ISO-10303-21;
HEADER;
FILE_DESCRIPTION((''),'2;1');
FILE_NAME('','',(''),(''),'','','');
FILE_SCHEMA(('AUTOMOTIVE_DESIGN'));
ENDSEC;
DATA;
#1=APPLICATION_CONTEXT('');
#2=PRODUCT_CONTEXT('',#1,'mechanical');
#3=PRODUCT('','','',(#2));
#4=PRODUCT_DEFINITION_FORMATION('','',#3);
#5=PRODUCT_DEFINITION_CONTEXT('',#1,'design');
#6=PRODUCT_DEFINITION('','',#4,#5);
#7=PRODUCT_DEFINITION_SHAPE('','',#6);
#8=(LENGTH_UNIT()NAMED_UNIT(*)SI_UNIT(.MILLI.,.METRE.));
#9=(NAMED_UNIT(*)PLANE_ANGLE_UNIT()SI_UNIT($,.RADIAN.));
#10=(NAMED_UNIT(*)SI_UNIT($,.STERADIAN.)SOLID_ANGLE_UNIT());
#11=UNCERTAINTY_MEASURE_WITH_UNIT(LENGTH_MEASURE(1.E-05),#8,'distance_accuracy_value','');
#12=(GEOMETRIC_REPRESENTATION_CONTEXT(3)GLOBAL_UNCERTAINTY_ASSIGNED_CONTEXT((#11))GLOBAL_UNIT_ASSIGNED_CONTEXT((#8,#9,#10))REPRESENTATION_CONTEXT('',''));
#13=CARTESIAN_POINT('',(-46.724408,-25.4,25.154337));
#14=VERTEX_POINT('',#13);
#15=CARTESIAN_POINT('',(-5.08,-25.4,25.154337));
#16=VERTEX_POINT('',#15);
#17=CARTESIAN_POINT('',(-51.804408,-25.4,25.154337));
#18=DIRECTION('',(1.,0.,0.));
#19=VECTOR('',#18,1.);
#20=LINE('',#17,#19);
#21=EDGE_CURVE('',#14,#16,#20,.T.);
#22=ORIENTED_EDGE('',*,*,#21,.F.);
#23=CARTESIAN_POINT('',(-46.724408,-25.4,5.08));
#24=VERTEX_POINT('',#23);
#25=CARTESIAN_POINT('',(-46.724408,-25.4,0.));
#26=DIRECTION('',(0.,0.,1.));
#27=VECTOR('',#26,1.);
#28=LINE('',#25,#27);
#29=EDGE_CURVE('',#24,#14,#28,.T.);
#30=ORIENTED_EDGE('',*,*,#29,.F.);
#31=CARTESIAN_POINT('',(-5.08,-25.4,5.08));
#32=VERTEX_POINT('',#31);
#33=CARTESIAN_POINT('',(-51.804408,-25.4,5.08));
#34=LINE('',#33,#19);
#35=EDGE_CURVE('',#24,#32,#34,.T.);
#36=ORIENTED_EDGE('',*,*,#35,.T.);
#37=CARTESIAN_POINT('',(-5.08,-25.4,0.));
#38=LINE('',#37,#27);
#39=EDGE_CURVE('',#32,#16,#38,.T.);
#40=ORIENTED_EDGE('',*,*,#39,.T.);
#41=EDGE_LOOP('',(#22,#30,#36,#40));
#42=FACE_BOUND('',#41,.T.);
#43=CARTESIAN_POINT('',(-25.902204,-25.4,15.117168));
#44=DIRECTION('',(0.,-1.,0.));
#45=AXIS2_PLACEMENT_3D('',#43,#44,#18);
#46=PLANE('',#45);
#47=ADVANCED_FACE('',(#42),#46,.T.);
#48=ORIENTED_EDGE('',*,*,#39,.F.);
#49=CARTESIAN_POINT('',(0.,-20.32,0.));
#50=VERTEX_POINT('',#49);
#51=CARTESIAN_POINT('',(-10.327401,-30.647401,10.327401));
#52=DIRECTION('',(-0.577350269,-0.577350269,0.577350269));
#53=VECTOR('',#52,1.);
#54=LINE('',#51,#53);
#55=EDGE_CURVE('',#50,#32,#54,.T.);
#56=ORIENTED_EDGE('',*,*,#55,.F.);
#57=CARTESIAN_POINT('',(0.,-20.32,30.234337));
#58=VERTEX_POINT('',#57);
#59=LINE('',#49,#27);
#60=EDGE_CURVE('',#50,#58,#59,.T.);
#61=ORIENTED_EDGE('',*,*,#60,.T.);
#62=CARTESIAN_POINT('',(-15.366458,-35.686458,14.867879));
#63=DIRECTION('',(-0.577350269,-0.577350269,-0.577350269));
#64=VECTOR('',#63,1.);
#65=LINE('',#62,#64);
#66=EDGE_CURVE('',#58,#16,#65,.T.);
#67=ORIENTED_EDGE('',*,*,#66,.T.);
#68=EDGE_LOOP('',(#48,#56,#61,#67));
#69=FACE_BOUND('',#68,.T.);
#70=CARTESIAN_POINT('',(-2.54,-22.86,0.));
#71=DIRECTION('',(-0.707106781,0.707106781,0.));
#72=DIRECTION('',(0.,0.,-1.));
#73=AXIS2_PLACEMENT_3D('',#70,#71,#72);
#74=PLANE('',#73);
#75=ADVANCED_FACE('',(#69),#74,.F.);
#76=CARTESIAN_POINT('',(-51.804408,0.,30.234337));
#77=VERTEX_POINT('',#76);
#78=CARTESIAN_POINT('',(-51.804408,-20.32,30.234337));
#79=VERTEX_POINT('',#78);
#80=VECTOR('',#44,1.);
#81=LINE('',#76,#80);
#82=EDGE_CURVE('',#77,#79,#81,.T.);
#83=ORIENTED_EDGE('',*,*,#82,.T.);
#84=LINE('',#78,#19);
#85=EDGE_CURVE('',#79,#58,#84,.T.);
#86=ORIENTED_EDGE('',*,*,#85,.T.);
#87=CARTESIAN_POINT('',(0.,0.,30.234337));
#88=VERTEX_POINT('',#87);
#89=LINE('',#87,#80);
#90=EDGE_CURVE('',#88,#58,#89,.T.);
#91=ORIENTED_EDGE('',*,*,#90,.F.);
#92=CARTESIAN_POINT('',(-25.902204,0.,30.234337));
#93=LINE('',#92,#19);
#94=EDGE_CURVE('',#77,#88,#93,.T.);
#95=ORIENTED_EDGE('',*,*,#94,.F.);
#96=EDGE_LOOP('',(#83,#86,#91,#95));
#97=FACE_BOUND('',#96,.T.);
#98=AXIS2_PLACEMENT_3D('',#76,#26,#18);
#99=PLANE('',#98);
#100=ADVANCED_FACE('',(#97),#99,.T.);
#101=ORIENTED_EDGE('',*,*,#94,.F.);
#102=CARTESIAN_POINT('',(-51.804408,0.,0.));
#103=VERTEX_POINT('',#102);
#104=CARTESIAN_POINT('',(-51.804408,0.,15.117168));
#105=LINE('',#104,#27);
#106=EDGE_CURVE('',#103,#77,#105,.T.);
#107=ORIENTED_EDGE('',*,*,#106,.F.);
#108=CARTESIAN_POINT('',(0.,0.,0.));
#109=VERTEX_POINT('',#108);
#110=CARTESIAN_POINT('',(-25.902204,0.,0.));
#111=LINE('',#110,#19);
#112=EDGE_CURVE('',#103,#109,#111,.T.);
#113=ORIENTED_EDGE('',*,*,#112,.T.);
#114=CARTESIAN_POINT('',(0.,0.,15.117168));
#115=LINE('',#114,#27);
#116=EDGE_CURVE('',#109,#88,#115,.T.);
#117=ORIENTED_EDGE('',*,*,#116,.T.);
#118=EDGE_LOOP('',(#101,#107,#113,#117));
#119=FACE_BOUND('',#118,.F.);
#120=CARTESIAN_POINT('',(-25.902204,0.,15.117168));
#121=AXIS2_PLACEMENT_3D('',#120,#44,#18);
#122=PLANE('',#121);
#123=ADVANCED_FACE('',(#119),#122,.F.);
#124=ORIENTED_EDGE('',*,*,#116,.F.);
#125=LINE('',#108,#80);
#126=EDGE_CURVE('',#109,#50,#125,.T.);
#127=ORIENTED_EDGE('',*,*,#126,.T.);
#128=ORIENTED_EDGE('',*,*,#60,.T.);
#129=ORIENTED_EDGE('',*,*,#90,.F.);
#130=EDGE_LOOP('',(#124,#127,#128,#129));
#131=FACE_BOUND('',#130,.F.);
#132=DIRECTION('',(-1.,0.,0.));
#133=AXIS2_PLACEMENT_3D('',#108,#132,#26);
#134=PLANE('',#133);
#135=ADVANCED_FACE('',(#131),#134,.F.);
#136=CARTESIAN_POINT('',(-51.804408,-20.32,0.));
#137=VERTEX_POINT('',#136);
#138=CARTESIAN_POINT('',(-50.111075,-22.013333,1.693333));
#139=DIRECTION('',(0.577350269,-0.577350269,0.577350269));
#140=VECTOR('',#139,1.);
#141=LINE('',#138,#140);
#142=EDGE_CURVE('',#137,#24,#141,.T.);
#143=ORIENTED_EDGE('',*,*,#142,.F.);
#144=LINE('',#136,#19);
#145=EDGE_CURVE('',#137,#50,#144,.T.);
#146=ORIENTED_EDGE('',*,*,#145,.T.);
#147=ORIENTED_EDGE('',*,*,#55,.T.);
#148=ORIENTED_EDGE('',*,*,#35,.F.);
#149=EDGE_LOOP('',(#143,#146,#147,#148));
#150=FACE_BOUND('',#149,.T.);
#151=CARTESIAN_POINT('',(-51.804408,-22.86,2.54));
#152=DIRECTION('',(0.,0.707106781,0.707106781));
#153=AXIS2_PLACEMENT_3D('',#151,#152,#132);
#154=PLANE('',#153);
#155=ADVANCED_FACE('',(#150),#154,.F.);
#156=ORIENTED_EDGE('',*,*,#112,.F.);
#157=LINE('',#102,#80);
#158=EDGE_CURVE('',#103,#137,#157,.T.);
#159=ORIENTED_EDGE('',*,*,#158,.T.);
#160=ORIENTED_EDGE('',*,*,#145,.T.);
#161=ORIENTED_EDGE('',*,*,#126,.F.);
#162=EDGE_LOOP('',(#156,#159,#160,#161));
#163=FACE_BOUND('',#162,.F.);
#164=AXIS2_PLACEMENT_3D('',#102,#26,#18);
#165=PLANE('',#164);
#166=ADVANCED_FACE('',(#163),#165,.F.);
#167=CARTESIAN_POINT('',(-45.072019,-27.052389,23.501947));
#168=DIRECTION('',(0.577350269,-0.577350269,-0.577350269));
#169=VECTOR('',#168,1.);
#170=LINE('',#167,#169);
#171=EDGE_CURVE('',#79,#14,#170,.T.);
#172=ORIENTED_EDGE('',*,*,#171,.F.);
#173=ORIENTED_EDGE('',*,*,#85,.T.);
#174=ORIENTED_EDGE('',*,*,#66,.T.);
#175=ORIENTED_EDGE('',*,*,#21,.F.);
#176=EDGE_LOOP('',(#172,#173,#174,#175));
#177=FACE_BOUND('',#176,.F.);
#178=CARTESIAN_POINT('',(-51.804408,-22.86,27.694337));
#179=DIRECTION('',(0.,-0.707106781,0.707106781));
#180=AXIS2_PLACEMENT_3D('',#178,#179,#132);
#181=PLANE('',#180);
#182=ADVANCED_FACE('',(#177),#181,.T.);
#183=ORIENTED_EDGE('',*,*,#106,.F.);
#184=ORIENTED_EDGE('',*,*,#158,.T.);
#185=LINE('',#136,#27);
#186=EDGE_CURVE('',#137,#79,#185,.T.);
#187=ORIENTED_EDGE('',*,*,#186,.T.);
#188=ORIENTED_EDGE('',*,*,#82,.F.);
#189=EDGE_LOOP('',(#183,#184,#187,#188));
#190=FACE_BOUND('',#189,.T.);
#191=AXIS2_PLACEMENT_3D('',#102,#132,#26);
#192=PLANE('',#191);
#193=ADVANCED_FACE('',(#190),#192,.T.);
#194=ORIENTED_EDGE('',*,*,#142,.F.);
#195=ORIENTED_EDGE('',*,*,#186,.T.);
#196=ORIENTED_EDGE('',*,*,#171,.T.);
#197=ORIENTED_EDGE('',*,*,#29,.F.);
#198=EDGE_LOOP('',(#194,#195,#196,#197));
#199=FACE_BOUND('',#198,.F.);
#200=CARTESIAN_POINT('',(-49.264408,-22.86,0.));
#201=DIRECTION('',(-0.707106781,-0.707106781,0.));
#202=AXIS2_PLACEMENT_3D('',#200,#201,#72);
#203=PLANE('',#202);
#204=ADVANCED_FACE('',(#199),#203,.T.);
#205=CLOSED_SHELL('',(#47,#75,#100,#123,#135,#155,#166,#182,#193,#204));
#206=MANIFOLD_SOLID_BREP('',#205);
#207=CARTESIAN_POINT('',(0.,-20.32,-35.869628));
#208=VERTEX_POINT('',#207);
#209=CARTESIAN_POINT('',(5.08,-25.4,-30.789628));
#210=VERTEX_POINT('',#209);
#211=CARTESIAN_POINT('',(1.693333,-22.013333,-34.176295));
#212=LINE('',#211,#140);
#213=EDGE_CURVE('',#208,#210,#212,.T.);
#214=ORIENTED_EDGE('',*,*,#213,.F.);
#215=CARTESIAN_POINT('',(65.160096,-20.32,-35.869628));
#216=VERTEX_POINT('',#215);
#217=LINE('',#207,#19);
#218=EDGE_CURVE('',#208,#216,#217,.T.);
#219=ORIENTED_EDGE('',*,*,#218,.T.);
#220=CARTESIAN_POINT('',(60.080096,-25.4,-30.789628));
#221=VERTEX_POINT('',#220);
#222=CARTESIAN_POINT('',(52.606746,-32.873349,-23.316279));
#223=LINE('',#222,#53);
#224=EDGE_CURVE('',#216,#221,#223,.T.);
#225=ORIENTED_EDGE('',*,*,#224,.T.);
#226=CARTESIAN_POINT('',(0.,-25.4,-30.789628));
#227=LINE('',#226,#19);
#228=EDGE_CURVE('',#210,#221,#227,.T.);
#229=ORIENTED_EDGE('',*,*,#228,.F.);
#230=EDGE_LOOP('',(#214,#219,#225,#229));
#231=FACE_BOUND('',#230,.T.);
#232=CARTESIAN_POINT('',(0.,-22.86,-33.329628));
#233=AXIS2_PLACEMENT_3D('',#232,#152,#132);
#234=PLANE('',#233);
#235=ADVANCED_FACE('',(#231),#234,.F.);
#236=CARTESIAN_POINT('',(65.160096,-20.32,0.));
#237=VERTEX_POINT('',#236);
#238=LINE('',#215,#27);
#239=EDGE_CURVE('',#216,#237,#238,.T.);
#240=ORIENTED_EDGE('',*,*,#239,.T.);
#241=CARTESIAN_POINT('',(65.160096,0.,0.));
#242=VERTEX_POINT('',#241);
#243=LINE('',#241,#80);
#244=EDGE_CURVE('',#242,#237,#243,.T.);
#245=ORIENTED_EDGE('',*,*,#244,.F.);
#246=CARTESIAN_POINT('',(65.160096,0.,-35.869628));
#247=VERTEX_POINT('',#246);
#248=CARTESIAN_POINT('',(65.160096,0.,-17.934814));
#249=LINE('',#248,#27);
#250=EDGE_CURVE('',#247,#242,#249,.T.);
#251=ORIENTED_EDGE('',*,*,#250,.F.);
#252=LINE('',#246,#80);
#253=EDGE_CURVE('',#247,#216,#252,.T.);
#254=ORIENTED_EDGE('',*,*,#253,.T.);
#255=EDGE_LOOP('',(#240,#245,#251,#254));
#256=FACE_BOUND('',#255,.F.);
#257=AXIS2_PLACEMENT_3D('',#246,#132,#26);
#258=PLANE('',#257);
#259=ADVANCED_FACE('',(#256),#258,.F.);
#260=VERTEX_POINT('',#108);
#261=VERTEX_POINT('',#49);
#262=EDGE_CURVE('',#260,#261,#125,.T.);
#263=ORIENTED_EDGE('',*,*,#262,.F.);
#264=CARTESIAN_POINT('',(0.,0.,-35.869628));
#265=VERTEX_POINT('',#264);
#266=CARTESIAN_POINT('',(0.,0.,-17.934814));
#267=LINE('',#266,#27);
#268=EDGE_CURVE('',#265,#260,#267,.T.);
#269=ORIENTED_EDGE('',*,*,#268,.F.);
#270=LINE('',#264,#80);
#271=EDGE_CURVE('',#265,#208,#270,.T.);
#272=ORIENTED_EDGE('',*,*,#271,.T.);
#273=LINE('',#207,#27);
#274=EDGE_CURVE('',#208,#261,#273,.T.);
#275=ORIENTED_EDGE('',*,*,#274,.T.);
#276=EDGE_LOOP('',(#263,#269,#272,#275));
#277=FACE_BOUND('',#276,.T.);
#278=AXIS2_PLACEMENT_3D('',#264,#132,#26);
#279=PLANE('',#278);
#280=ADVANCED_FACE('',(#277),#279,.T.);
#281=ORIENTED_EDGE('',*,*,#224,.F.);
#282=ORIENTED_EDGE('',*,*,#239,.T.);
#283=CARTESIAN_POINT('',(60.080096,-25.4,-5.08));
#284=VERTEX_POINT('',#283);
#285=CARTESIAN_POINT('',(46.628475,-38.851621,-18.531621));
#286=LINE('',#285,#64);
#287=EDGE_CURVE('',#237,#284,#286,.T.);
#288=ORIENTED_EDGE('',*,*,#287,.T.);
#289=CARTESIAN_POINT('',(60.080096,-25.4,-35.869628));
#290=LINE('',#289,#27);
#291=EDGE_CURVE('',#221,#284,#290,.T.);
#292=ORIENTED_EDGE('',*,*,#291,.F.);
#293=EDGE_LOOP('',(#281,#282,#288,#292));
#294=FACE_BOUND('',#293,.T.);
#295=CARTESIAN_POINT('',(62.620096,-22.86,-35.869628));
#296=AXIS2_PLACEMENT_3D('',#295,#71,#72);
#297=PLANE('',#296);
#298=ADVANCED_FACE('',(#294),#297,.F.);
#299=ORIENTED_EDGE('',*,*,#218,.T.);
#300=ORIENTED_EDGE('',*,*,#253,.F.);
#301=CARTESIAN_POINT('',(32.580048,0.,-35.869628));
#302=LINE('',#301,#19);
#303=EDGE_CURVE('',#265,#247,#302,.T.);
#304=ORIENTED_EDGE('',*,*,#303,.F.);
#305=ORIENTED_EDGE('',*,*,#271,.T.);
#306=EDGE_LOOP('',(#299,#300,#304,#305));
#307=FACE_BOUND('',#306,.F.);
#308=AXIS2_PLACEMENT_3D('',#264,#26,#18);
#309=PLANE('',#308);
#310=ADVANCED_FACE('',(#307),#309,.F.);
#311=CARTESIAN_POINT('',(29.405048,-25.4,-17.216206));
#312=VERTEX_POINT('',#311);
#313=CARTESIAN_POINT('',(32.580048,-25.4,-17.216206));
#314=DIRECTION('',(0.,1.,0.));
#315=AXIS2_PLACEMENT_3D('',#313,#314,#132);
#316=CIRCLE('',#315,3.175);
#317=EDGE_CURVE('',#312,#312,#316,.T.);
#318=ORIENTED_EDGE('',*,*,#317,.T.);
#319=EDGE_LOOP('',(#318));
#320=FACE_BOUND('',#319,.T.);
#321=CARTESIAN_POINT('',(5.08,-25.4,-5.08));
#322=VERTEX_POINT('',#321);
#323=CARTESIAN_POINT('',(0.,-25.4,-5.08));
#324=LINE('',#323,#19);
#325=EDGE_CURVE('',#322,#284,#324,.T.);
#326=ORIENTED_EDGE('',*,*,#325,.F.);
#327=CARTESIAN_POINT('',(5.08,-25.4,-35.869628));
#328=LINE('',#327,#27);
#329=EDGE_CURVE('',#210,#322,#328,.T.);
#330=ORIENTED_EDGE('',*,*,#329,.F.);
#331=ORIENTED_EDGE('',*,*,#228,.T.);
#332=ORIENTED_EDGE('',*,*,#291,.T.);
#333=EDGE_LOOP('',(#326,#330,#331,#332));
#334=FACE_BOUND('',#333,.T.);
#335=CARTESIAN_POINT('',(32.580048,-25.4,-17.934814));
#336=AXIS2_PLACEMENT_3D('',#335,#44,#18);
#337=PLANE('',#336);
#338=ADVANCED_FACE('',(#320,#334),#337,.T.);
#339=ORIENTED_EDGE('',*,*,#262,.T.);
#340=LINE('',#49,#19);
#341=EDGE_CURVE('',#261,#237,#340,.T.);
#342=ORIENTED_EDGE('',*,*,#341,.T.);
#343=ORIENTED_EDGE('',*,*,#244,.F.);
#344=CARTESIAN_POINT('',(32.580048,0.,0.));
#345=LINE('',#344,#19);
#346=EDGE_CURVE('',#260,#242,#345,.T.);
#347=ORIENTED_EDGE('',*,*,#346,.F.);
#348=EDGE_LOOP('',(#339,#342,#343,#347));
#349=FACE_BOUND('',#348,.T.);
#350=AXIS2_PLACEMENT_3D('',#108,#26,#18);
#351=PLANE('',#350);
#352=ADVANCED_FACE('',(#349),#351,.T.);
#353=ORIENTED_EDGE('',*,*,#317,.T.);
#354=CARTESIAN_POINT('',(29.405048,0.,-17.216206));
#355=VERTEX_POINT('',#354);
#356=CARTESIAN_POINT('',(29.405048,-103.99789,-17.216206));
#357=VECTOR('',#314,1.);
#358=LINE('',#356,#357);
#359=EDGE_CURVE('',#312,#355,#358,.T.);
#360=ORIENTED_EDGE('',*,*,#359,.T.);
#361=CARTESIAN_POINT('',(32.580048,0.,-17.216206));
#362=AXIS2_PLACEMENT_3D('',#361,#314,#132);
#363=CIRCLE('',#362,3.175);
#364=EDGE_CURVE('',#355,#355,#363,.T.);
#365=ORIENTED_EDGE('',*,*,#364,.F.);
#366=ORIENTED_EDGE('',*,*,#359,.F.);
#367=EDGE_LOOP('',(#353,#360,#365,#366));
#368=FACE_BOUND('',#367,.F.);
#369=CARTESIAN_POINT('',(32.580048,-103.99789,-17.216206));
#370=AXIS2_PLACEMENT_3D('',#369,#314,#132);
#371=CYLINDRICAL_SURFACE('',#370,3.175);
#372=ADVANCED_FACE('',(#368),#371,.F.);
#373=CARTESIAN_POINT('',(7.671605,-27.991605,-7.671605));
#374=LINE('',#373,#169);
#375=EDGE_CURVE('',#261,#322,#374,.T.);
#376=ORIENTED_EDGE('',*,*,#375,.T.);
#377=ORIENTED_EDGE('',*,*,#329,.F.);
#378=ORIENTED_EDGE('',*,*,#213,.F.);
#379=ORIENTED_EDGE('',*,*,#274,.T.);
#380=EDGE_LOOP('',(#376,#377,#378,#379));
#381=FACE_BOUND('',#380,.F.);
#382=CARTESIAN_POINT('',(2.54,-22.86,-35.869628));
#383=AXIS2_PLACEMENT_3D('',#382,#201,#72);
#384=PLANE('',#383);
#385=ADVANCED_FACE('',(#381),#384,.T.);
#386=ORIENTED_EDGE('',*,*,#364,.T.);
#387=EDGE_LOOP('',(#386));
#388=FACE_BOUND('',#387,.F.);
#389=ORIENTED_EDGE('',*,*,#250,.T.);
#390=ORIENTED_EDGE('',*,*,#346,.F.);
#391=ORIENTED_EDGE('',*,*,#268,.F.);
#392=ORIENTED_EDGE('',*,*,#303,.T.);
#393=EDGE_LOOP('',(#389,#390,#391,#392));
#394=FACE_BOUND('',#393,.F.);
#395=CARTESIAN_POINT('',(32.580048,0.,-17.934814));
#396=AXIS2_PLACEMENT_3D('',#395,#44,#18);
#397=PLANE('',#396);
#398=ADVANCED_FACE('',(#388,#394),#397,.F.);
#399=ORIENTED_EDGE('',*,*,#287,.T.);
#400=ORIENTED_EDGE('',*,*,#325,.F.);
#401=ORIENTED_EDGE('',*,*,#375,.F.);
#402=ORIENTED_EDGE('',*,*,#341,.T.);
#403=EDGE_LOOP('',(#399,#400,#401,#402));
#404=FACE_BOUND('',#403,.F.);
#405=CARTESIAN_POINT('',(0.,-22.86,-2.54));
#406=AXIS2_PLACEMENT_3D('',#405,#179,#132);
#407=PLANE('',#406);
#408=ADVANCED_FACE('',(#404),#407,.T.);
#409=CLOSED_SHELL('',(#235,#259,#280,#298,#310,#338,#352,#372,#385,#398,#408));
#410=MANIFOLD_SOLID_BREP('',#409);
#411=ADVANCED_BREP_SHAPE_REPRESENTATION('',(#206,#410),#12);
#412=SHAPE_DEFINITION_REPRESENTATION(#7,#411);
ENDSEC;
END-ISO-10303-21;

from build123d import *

# Parameters (mm, degrees)
F0_W     = 65.1600956917
F0_H     = 35.869628191
F1_DEPTH = 25.4
F0_W_2   = 51.8044084311
F0_H_2   = 30.234336853
F2_SIZE  = 5.08
F3_SIZE  = 5.08
F5_D     = 6.35


with BuildPart() as f1:
    # F0 (on Front) → F1 (new body)
    with BuildSketch(Plane.XZ):
        with Locations((32.5800478458, -17.9348140955)):
            Rectangle(F0_W, F0_H)
    extrude(amount=F1_DEPTH)

    # F2
    f2_edges = [f1.edges().sort_by_distance(p)[0] for p in [
        (32.580048, -25.4, 0),
        (0, -25.4, -17.934814),
        (32.580048, -25.4, -35.869628),
        (65.160096, -25.4, -17.934814),
    ]]
    chamfer(f2_edges, length=F2_SIZE)

    # F5 (through all)
    with Locations(Plane.XZ.offset(25.4)):
        with Locations((32.5800478458, -17.2162055969)):
            Hole(F5_D / 2)


with BuildPart() as f1b:
    # F0 (on Front) → F1, piece 2 (new body)
    with BuildSketch(Plane.XZ):
        with Locations((-25.9022042155, 15.1171684265)):
            Rectangle(F0_W_2, F0_H_2)
    extrude(amount=F1_DEPTH)

    # F3
    f3_edges = [f1b.edges().sort_by_distance(p)[0] for p in [
        (-25.902204, -25.4, 30.234337),
        (-25.902204, -25.4, 0),
        (0, -25.4, 15.117168),
        (-51.804408, -25.4, 15.117168),
    ]]
    chamfer(f3_edges, length=F3_SIZE)


solid = Compound([f1.part, f1b.part])
